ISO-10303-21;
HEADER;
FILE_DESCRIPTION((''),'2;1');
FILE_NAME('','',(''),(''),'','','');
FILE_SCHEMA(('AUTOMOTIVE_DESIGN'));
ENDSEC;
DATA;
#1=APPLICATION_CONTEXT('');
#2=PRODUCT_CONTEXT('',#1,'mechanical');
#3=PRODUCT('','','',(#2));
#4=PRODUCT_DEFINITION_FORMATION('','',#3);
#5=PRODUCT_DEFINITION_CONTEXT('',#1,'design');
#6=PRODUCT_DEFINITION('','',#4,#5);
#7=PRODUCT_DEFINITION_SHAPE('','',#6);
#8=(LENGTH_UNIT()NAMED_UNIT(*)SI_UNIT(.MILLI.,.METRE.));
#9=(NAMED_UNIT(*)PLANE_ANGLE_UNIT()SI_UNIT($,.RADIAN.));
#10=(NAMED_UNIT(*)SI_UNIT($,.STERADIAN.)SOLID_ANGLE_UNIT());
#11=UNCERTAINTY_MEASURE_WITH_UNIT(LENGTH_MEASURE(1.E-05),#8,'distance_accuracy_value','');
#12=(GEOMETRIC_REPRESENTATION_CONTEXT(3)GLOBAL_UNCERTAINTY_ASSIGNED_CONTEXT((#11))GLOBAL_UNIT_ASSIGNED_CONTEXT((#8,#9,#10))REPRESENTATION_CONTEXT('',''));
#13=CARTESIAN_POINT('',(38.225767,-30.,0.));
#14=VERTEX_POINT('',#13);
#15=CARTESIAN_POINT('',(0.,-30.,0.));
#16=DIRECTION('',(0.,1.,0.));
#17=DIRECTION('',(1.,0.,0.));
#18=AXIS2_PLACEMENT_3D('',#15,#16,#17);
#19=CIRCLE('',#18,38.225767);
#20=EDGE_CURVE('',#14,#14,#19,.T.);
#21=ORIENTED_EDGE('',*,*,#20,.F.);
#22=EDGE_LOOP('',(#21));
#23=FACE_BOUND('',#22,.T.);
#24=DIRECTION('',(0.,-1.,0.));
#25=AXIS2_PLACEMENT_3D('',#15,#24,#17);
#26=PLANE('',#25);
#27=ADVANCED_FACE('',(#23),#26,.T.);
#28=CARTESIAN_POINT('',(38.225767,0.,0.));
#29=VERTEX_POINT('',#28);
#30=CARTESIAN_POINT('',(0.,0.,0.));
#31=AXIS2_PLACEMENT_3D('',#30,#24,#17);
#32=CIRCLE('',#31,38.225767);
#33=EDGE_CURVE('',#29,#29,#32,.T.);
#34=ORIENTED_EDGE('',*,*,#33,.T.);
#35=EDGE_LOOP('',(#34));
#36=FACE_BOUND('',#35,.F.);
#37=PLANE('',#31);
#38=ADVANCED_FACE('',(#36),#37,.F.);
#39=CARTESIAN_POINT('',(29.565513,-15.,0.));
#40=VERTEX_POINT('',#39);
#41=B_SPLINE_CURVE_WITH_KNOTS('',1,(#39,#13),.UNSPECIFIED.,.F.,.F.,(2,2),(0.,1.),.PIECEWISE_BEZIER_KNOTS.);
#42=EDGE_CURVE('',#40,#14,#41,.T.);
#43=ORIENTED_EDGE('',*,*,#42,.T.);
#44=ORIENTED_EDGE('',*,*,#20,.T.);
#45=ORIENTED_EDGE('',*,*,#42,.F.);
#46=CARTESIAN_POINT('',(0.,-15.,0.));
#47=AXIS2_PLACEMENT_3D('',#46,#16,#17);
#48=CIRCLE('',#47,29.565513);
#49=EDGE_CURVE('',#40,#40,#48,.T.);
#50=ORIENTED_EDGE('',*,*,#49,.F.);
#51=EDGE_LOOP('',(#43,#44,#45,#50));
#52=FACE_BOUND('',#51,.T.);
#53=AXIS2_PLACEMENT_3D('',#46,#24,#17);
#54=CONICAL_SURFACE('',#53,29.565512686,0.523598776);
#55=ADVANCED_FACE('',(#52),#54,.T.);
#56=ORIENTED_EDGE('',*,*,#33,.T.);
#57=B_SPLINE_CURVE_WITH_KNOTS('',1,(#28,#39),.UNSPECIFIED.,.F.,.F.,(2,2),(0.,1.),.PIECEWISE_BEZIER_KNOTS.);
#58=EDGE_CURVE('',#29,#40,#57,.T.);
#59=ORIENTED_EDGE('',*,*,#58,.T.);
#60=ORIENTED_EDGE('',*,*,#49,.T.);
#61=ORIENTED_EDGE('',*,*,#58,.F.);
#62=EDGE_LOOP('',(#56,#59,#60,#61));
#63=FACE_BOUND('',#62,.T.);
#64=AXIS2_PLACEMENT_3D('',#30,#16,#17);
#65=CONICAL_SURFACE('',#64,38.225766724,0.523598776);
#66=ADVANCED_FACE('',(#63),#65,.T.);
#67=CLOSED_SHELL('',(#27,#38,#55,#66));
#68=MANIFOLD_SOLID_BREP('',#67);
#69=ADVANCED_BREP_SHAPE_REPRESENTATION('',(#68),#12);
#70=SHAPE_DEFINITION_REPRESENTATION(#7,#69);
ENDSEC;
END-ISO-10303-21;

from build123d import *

# Parameters (mm, degrees)
F0_R      = 38.2257667239
F1_DEPTH  = 15
F1_TAPER  = 30
F1_FACE_R = 29.565512686
F2_DEPTH  = 15
F2_TAPER  = -30


with BuildPart() as f1:
    # F0 (on Front) → F1 (new body)
    with BuildSketch(Plane.XZ):
        Circle(F0_R)
    extrude(amount=F1_DEPTH, taper=F1_TAPER)

    # F1_face (on face) → F2 (join)
    with BuildSketch(Plane.XZ.offset(15)):
        Circle(F1_FACE_R)
    extrude(amount=F2_DEPTH, taper=F2_TAPER)


solid = f1.part
